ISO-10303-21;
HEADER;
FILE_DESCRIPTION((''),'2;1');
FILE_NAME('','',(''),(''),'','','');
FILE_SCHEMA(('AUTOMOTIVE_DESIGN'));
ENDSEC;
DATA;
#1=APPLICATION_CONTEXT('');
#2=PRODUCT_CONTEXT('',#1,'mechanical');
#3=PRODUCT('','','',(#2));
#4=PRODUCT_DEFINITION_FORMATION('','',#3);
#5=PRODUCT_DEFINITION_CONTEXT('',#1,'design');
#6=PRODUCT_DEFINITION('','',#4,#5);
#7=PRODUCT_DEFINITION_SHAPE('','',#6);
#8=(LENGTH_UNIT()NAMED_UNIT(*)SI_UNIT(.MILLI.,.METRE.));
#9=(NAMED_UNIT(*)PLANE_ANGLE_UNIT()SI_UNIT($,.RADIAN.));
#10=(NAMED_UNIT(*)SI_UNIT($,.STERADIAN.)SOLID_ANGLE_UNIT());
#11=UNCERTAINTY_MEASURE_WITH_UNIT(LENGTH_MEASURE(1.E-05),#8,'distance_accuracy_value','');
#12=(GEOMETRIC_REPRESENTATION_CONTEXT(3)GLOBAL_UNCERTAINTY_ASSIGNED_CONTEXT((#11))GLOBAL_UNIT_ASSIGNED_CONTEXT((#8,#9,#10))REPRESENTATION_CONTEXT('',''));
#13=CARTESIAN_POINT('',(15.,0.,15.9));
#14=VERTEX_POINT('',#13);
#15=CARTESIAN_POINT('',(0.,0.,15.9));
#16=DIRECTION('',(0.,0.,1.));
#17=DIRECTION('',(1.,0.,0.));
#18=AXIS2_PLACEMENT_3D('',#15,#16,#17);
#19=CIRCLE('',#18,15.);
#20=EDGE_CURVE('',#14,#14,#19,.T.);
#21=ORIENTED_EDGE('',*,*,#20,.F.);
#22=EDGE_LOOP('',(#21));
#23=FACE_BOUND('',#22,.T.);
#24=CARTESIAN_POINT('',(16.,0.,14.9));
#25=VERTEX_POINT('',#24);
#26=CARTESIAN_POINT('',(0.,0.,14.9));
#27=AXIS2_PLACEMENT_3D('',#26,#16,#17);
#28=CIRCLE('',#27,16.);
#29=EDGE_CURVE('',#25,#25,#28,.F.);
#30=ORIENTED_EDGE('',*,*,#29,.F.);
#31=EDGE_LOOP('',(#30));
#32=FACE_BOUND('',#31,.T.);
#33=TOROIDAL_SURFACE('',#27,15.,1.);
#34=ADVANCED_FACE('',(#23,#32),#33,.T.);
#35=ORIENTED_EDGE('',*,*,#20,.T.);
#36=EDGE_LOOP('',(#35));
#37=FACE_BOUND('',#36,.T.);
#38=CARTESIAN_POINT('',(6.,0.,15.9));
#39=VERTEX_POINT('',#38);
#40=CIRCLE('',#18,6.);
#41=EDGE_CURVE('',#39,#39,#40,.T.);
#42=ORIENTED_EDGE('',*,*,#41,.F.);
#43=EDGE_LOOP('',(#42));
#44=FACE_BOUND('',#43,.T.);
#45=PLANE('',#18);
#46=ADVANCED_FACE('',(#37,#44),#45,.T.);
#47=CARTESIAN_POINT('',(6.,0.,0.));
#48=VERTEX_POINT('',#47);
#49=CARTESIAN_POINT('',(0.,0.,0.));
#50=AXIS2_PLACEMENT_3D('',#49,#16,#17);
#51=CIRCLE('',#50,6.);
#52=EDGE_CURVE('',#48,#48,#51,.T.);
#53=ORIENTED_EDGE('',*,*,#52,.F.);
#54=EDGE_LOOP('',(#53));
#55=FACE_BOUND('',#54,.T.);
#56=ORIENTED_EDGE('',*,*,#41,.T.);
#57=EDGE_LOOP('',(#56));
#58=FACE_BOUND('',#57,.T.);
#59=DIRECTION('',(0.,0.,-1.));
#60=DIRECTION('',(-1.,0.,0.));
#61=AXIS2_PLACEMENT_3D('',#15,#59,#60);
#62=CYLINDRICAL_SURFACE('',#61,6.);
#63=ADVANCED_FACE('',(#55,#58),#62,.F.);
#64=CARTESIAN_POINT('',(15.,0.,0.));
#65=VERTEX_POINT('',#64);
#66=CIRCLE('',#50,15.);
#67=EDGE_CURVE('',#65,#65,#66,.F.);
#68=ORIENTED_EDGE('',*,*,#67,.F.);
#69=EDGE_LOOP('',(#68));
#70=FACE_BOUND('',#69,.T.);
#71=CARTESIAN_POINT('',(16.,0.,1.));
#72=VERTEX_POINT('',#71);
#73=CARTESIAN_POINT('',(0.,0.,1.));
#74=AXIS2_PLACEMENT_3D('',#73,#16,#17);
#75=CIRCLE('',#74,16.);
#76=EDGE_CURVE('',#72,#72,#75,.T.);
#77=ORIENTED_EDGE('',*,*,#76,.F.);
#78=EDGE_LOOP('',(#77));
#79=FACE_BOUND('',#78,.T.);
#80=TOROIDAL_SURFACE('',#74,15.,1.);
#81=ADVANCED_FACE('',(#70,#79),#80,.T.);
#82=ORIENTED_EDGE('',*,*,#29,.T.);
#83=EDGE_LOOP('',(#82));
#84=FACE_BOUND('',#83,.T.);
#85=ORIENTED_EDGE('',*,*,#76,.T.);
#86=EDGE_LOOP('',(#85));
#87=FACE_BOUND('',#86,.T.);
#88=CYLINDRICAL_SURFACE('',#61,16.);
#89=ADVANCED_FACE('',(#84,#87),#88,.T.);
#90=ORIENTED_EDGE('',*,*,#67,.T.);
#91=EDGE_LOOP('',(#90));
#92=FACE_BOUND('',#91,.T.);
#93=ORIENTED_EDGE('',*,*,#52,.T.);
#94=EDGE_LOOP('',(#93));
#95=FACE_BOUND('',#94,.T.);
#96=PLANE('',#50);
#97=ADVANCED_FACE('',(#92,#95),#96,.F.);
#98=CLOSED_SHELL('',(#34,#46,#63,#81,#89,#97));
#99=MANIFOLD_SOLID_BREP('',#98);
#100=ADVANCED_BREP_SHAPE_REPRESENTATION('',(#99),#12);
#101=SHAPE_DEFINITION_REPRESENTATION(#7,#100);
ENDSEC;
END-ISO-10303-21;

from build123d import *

# Parameters (mm, degrees)
SKETCH1_R           = 16
SKETCH1_R_2         = 6
BOSS_EXTRUDE1_DEPTH = 15.9
FILLET1_R           = 1


with BuildPart() as part:
    # Sketch1 → Boss-Extrude1 (new body)
    with BuildSketch(Plane.XY):
        Circle(SKETCH1_R)
        Circle(SKETCH1_R_2, mode=Mode.SUBTRACT)
    extrude(amount=BOSS_EXTRUDE1_DEPTH)

    # Fillet1
    fillet1_edges = [part.edges().sort_by_distance(p)[0] for p in [
        (-16, 0, 0),
        (-16, 0, 15.9),
    ]]
    fillet(fillet1_edges, radius=FILLET1_R)


solid = part.part
